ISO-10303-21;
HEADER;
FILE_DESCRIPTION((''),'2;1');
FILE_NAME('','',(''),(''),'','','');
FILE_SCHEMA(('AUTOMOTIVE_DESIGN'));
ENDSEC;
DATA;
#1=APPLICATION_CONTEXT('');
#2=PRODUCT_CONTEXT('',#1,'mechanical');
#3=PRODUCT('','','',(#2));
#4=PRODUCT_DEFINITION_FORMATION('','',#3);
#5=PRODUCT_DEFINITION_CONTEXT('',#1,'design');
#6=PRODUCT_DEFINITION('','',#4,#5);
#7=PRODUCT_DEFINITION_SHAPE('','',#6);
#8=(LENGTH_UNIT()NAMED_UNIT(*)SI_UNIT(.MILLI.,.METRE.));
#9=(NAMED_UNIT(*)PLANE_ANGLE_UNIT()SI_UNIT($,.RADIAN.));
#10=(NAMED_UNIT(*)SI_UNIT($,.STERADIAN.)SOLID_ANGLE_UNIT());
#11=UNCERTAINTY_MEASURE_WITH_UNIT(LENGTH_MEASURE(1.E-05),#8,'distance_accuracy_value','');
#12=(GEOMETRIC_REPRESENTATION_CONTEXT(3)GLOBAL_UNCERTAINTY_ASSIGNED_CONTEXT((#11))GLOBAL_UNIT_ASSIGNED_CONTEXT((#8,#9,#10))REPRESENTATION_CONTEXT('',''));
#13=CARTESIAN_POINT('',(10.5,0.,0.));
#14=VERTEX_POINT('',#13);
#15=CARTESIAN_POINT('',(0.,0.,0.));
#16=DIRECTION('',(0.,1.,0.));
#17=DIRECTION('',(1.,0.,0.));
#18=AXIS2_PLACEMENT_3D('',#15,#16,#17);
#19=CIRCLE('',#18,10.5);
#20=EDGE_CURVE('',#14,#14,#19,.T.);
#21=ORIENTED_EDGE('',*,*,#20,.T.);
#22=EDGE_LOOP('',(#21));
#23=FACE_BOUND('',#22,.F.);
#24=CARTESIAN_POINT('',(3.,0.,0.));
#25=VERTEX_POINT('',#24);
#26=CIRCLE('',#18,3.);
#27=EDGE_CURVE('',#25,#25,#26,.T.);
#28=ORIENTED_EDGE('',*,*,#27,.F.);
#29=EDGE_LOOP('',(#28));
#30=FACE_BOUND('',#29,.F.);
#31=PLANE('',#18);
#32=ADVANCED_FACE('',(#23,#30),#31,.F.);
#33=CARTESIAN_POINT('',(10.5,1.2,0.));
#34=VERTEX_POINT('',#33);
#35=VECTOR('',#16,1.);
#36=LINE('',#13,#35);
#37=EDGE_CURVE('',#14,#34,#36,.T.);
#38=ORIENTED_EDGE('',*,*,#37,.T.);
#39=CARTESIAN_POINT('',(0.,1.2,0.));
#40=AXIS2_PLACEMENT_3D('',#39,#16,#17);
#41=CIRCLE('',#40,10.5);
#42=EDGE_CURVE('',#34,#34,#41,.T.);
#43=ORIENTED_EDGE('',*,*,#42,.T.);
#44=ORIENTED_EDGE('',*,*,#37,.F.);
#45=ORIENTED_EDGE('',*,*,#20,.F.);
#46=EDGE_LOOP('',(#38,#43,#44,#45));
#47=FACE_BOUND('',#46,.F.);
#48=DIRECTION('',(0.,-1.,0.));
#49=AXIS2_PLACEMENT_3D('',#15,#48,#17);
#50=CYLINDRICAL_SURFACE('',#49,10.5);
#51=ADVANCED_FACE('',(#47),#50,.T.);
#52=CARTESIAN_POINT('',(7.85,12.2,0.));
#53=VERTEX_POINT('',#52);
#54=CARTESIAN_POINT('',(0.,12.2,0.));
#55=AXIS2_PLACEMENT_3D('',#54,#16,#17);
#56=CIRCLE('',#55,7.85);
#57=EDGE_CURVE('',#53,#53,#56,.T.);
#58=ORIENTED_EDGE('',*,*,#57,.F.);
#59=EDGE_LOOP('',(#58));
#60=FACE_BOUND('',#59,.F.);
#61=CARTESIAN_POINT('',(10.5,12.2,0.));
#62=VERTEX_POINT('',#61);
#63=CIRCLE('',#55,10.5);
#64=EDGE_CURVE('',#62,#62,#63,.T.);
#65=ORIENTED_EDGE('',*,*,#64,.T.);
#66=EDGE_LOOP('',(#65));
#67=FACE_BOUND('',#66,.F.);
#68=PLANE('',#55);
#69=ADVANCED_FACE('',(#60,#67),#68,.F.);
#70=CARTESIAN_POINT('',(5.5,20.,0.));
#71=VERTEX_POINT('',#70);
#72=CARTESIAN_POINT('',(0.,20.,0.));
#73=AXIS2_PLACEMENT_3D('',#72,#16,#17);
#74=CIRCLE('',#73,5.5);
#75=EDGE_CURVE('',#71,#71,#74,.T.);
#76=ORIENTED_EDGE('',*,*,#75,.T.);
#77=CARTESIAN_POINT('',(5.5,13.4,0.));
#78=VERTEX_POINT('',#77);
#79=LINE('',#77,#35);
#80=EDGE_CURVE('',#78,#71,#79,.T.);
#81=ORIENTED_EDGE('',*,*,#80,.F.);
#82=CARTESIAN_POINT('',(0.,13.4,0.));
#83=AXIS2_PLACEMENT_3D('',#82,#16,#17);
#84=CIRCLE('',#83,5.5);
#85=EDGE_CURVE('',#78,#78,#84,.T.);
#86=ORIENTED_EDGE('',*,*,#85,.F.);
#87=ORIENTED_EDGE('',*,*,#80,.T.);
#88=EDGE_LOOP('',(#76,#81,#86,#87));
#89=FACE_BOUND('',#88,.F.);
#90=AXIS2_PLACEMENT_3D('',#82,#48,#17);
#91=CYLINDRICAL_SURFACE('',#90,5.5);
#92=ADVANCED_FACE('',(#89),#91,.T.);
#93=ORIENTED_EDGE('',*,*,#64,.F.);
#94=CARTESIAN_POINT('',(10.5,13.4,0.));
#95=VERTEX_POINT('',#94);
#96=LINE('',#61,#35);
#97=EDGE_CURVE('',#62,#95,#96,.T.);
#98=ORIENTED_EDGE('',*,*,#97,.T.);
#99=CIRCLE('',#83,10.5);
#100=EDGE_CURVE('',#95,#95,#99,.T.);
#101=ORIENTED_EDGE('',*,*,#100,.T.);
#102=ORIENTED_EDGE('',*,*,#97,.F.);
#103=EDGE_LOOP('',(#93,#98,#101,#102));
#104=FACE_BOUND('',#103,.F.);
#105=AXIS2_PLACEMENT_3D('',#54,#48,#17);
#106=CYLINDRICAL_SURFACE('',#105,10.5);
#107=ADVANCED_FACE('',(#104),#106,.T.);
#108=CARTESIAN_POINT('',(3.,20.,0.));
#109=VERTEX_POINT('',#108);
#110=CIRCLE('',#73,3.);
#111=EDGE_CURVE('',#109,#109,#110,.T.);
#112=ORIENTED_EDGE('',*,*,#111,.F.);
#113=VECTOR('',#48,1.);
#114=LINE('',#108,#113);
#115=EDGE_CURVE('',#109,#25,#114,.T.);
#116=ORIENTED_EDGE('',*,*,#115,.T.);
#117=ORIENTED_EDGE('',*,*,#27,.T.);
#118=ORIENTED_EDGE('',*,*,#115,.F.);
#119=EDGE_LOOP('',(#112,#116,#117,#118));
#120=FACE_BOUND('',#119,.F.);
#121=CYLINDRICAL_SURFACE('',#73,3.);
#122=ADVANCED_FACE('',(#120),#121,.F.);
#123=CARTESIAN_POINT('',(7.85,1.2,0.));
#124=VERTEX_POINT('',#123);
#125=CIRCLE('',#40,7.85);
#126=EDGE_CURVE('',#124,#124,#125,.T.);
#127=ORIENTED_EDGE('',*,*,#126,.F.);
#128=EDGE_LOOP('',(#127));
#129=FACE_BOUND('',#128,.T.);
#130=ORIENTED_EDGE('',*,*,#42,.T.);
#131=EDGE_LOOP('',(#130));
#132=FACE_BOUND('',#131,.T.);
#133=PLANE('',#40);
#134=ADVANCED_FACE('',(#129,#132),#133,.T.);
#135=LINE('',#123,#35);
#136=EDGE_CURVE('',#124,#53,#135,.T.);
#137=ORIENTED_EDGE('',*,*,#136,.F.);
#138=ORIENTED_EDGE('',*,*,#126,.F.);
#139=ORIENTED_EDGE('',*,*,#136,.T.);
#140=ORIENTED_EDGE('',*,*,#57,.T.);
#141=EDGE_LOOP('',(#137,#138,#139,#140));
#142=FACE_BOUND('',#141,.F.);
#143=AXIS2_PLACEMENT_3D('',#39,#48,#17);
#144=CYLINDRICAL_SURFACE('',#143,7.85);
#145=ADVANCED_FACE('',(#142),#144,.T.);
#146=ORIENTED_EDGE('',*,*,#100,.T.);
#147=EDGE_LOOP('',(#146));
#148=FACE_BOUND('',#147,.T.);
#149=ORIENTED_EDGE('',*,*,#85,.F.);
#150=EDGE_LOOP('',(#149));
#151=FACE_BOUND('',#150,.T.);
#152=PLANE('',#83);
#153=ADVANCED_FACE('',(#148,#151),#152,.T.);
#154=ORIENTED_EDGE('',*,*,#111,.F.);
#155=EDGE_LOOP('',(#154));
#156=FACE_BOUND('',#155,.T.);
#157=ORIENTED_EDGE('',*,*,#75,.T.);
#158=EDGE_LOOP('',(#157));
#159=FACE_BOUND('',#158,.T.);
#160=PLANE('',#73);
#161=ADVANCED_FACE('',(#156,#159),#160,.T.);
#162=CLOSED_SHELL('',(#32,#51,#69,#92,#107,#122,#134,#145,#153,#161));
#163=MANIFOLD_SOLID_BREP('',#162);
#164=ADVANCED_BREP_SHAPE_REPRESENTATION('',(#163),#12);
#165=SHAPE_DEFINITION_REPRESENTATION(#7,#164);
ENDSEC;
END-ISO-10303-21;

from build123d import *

# Parameters (mm, degrees)
SKETCH1_R           = 10.5
BOSS_EXTRUDE1_DEPTH = 1.2
SKETCH2_R           = 7.85
BOSS_EXTRUDE2_DEPTH = 11
SKETCH3_R           = 10.5
BOSS_EXTRUDE3_DEPTH = 1.2
SKETCH4_R           = 5.5
BOSS_EXTRUDE4_DEPTH = 6.6
SKETCH5_R           = 3
CUT_EXTRUDE1_DEPTH  = 21


with BuildPart() as part:
    # Sketch1 → Boss-Extrude1 (new body)
    with BuildSketch(Plane(origin=(0, 0, 0), x_dir=(1, 0, 0), z_dir=(0, 1, 0))):
        Circle(SKETCH1_R)
    extrude(amount=BOSS_EXTRUDE1_DEPTH)

    # Sketch2 → Boss-Extrude2 (add)
    with BuildSketch(Plane(origin=(0, 1.2, 0), x_dir=(1, 0, 0), z_dir=(0, 1, 0))):
        Circle(SKETCH2_R)
    extrude(amount=BOSS_EXTRUDE2_DEPTH)

    # Sketch3 → Boss-Extrude3 (add)
    with BuildSketch(Plane(origin=(0, 12.2, 0), x_dir=(1, 0, 0), z_dir=(0, 1, 0))):
        Circle(SKETCH3_R)
    extrude(amount=BOSS_EXTRUDE3_DEPTH)

    # Sketch4 → Boss-Extrude4 (add)
    with BuildSketch(Plane(origin=(0, 13.4, 0), x_dir=(1, 0, 0), z_dir=(0, 1, 0))):
        Circle(SKETCH4_R)
    extrude(amount=BOSS_EXTRUDE4_DEPTH)

    # Sketch5 → Cut-Extrude1 (cut, through all)
    with BuildSketch(Plane(origin=(0, 20, 0), x_dir=(1, 0, 0), z_dir=(0, 1, 0))):
        Circle(SKETCH5_R)
    extrude(amount=-CUT_EXTRUDE1_DEPTH, mode=Mode.SUBTRACT)


solid = part.part
